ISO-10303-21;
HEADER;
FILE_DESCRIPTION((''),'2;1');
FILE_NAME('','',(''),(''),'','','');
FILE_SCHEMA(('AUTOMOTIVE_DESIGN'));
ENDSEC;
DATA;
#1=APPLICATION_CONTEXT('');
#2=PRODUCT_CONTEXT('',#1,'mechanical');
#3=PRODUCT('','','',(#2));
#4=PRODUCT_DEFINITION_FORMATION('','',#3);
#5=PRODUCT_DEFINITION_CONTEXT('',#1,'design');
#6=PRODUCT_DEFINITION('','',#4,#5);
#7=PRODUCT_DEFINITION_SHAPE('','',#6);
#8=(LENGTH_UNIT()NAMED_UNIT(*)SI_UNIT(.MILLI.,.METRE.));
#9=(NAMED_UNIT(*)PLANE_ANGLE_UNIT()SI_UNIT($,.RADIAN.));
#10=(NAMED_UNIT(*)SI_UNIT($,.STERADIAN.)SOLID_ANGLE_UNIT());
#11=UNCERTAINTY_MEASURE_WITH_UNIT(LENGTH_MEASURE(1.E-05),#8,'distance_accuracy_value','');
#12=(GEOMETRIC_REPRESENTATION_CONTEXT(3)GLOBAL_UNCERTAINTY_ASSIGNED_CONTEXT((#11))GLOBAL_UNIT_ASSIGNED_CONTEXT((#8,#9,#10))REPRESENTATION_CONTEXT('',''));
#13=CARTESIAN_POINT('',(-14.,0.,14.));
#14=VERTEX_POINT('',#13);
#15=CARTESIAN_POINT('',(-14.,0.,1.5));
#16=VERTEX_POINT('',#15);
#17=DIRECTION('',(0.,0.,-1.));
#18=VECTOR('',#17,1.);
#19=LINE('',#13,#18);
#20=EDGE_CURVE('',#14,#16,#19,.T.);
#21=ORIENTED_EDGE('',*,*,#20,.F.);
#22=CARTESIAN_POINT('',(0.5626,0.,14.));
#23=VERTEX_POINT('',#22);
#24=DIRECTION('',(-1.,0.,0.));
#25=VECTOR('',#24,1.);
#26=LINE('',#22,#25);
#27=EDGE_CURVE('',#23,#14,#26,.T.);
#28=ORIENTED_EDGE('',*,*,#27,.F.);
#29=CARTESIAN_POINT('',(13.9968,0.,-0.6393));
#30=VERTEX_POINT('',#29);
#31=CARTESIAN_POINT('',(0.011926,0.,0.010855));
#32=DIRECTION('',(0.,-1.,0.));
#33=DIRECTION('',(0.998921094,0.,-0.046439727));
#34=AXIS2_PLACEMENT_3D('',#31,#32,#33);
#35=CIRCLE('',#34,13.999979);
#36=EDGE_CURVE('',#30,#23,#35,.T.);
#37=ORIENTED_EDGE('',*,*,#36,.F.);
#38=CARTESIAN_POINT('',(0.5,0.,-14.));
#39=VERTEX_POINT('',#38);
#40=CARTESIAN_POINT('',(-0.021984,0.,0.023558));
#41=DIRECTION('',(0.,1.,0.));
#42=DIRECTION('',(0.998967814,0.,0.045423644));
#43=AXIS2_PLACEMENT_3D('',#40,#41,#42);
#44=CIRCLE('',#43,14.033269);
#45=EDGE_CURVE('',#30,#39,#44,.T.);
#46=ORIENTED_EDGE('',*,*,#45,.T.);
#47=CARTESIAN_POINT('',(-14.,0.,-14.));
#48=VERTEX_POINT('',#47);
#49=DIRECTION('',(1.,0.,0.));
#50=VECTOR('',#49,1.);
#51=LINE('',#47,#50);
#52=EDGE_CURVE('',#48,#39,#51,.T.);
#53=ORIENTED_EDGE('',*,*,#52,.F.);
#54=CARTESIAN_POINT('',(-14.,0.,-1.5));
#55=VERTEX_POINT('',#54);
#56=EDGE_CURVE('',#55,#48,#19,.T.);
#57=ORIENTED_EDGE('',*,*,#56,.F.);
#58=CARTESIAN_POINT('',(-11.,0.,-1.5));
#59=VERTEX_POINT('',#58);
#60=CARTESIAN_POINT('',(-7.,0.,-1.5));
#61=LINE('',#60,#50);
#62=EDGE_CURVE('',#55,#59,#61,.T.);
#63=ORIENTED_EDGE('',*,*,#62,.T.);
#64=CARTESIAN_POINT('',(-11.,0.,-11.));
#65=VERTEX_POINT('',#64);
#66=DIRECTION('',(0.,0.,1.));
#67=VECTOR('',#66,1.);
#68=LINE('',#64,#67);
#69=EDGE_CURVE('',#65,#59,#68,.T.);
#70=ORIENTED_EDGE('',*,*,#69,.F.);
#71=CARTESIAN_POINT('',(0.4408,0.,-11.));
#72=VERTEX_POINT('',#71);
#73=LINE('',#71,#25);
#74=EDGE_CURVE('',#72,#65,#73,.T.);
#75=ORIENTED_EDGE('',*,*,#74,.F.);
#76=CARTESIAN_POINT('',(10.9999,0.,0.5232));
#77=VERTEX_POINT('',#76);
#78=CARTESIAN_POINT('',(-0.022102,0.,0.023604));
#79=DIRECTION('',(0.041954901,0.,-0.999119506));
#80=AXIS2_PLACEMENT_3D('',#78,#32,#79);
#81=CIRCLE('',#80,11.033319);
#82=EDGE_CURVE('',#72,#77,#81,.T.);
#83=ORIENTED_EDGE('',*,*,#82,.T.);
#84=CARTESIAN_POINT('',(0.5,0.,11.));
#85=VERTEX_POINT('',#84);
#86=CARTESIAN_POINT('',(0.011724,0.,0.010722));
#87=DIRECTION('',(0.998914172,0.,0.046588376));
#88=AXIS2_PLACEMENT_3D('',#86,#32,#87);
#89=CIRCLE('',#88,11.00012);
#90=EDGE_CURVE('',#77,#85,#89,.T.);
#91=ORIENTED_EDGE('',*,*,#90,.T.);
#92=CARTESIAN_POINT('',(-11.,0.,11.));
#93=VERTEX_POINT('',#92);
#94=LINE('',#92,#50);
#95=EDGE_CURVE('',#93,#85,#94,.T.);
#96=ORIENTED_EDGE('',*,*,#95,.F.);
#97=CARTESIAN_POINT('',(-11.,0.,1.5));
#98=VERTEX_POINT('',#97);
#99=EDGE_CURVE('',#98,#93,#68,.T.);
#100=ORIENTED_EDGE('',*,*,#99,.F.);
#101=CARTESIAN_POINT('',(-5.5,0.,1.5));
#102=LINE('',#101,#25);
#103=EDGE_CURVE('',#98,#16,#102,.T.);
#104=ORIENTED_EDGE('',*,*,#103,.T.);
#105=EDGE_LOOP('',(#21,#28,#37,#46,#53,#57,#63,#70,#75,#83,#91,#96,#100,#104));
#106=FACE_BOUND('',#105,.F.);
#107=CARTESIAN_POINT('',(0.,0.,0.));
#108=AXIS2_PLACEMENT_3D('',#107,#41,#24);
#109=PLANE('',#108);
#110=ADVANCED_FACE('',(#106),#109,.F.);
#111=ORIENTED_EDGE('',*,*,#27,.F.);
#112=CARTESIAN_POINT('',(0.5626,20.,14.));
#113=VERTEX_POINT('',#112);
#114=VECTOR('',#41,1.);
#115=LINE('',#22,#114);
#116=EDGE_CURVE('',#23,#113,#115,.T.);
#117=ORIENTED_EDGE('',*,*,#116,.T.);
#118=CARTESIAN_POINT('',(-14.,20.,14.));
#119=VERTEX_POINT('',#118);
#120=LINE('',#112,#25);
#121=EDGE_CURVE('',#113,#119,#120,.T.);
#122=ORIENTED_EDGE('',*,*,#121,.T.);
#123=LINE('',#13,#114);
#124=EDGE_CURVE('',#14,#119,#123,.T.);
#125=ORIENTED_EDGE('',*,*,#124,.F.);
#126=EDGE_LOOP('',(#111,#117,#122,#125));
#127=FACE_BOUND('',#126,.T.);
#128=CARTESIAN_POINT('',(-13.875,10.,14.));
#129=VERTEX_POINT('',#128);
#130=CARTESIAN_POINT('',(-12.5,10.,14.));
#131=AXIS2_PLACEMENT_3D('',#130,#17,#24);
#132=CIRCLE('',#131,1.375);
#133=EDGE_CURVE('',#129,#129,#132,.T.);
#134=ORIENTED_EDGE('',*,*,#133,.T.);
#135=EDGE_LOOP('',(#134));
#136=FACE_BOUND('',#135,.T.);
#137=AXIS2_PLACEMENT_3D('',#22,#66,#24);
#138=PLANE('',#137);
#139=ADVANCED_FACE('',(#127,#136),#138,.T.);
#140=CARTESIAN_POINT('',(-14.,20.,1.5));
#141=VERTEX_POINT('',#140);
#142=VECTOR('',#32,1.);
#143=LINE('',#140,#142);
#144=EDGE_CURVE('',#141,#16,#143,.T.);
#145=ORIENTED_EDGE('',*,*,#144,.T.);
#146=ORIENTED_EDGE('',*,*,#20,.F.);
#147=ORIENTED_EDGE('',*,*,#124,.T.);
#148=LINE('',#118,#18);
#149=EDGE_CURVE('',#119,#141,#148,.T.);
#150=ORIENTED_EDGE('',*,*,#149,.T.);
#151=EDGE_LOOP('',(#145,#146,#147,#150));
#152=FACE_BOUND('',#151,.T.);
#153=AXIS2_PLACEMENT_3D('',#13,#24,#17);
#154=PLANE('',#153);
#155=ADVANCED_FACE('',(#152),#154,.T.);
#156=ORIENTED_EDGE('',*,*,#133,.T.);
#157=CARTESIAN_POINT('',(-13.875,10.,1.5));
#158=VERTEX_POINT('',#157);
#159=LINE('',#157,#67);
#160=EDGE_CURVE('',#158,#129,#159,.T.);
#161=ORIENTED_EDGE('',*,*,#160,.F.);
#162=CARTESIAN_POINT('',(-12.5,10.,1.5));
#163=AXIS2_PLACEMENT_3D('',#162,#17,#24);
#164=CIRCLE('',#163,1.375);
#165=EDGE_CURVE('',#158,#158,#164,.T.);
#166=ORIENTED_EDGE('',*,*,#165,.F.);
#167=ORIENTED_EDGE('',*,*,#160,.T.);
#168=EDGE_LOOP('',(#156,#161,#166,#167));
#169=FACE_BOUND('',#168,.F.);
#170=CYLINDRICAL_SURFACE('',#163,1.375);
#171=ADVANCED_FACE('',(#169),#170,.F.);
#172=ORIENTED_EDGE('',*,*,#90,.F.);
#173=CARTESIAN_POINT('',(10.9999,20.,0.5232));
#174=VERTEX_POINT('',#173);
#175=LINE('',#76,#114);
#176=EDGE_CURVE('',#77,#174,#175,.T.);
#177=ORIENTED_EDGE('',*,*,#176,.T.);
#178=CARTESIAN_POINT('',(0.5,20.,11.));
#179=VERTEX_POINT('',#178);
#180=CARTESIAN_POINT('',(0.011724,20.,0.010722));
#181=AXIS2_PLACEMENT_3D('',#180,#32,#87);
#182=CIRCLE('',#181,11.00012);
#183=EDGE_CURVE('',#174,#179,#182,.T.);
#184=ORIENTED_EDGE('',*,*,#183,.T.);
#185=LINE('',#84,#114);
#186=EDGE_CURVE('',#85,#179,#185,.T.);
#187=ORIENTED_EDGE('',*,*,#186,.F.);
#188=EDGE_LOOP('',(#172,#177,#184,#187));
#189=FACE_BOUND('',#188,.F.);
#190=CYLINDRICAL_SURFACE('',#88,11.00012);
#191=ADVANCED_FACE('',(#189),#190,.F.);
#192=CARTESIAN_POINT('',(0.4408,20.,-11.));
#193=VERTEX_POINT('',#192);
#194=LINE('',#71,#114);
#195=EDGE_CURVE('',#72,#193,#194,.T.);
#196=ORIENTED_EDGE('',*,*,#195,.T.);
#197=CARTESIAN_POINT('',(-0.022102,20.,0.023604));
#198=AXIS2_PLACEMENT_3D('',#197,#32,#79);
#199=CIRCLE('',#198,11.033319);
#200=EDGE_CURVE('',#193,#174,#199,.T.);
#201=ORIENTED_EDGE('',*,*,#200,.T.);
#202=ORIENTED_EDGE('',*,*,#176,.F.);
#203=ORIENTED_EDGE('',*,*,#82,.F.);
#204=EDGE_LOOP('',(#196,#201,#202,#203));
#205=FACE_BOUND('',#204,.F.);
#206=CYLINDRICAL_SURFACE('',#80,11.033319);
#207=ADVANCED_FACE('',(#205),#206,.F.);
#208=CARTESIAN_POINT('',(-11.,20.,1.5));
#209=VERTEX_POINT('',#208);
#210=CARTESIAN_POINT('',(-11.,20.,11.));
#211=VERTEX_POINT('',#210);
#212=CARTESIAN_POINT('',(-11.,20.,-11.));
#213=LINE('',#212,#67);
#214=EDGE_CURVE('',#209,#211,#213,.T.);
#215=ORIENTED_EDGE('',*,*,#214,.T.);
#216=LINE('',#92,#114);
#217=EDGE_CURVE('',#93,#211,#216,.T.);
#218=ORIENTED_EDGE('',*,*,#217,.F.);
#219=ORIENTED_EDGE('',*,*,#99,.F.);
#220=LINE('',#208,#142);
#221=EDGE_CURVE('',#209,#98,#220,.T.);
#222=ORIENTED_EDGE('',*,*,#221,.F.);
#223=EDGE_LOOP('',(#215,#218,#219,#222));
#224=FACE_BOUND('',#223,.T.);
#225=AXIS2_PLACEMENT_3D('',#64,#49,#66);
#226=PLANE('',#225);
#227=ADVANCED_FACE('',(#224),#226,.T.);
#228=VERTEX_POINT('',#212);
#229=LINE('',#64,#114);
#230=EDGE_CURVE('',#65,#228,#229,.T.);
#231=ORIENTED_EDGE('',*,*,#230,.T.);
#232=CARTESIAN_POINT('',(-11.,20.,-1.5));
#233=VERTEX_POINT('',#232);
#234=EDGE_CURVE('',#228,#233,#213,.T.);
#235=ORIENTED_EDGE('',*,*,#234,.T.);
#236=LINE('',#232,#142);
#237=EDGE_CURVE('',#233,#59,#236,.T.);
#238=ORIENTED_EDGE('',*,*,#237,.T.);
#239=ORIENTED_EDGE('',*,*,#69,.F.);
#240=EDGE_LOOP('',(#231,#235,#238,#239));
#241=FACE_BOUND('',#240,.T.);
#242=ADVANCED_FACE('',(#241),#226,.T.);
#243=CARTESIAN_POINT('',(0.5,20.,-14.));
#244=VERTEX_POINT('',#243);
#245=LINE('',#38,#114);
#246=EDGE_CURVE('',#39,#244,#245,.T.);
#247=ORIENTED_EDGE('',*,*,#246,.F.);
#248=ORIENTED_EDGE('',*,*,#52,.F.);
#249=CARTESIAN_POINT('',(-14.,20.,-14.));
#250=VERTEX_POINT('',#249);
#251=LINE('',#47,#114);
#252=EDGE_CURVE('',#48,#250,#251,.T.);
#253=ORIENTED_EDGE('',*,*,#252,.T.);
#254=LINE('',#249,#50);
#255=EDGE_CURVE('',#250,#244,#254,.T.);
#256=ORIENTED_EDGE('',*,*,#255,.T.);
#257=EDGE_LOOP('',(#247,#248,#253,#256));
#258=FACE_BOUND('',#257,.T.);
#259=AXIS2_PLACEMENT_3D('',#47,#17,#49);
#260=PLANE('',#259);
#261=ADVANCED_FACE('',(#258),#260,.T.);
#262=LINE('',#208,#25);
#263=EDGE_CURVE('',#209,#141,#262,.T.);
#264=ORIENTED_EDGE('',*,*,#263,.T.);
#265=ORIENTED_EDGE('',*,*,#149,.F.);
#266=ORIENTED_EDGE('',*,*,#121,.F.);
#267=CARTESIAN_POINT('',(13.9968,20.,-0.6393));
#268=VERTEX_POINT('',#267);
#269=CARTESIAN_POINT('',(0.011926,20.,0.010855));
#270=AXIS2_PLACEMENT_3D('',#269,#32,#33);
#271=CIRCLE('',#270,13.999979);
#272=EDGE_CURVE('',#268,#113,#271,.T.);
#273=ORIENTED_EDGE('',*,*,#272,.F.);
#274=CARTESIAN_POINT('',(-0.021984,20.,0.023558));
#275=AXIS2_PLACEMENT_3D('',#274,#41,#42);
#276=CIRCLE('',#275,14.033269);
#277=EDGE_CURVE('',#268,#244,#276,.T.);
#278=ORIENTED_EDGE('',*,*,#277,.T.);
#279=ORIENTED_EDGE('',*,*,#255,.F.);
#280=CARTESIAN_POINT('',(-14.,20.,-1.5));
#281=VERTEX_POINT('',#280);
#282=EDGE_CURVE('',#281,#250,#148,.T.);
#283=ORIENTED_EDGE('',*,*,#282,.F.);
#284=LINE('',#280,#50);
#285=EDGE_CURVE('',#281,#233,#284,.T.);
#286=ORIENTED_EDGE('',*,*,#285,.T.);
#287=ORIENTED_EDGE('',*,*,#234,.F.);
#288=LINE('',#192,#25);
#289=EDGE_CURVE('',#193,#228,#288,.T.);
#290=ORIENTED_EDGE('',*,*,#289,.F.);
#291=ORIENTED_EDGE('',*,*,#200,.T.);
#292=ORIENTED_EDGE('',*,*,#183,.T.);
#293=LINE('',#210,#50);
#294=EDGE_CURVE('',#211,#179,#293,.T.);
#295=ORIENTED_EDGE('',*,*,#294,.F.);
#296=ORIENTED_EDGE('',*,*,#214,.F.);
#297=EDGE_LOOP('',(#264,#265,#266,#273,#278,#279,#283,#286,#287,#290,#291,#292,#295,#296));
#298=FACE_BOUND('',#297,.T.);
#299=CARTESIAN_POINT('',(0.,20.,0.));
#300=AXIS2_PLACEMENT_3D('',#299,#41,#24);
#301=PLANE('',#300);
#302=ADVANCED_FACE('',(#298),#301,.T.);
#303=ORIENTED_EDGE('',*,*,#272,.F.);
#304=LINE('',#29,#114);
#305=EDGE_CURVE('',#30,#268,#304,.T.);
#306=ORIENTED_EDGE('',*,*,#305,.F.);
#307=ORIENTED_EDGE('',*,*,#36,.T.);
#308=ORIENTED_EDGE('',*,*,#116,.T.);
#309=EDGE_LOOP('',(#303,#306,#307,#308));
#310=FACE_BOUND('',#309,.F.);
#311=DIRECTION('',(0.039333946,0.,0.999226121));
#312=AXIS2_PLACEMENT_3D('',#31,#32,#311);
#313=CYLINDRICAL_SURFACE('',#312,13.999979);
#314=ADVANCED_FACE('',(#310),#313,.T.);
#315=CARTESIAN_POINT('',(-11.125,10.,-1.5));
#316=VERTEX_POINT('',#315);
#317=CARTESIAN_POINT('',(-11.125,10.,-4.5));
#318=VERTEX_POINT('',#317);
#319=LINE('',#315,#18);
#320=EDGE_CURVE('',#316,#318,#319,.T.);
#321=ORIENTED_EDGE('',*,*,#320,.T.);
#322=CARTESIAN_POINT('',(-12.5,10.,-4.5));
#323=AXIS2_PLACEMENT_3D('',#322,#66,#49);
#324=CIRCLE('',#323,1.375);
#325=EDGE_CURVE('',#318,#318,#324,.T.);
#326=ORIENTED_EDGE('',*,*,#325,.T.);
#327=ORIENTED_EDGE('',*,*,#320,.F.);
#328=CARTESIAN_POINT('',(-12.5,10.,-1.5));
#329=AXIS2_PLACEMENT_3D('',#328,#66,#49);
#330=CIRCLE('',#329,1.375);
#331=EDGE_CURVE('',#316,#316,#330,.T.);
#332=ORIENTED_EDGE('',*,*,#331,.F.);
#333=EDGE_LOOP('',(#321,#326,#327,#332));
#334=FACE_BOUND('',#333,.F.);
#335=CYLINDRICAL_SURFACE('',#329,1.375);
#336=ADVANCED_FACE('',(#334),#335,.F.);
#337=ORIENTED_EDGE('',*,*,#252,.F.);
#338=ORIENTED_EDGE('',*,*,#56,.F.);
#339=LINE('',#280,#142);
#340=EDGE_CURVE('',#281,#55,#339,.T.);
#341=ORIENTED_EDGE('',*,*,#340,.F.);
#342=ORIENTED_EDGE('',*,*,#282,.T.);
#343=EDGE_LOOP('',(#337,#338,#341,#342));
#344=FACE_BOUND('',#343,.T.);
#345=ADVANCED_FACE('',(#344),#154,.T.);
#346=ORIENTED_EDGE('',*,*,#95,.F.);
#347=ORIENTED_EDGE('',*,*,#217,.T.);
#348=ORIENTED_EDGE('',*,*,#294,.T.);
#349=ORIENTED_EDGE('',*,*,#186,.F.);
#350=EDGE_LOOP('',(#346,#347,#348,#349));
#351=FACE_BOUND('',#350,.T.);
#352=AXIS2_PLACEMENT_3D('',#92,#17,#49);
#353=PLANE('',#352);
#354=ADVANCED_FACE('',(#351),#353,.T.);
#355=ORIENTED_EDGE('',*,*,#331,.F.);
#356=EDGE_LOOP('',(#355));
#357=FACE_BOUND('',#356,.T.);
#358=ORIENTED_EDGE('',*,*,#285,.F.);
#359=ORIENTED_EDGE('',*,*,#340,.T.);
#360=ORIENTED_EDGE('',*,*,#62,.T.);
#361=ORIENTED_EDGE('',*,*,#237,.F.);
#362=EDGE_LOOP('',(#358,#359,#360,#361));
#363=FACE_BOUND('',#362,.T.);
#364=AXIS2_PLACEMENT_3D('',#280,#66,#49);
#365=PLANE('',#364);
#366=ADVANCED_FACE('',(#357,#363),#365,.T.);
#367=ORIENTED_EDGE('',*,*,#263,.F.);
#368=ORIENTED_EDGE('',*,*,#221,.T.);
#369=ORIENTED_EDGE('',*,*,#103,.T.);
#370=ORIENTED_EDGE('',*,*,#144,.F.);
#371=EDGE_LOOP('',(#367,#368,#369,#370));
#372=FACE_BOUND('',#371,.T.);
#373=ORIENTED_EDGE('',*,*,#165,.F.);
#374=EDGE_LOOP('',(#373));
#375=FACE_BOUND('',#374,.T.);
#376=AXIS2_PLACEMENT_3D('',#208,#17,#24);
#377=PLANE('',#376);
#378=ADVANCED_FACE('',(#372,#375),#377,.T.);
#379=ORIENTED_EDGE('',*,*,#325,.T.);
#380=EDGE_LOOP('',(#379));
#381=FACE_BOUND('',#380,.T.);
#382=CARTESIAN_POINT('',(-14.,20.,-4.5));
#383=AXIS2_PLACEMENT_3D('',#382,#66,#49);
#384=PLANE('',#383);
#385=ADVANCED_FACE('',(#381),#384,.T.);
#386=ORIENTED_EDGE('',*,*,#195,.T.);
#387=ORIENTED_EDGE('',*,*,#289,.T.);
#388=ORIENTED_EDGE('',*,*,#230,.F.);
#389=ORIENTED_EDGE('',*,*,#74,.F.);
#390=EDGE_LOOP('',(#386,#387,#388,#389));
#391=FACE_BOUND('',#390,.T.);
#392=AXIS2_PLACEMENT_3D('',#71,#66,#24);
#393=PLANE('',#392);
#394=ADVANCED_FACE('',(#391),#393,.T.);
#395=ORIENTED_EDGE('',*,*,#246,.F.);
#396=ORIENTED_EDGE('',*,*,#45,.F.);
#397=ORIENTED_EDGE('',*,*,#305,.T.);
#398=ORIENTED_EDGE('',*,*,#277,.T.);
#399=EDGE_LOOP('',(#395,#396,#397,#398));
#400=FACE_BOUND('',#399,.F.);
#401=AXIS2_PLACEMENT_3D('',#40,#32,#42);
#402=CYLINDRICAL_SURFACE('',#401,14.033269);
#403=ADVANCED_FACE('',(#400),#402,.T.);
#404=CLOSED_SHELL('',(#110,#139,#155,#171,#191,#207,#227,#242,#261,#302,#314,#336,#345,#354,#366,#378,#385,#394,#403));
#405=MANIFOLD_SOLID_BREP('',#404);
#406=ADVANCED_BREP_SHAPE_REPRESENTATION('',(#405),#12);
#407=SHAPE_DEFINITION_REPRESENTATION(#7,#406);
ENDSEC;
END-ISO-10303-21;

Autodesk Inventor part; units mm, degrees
ref_plane "YZ Plane" through (0, 0, 0) normal (1, 0, 0) x (0, 1, 0)
sketch "Esquisse1" plane through (0, 0, 0) normal (0, 1, 0) x (-1, 0, 0)
  line L0 (11, -11) -> (11, 11)
  arc A0 (-0.5, 11) -> (-11, -0.5) centre (-0.0119, 0.0108) ccw
  arc A1 (-11, 0.5) -> (0, -11) centre (-0.0114, 0) ccw
  line L1 (11, 11) -> (-0.5, 11)
  line L2 (11, -11) -> (-0.5, -11)
  arc A2 (-0.5626, 14) -> (-13.9968, -0.6393) centre (-0.0119, 0.0108) ccw
  line L3 (-0.5626, 14) -> (14, 14)
  line L4 (14, 14) -> (14, -14)
  line L5 (14, -14) -> (-0.5, -14)
  arc A3 (-13.9968, 0.661) -> (-0.5, -14) centre (0.0221, 0.0236) ccw
  point P0 (0, 0)
  point P1 (-11, 0)
extrude "Extrusion1" add sketch "Esquisse1" along normal blind 20 contours L2 A1 A0 L1 L0 | L3 L4 L5 A3 A2
sketch "Esquisse2" plane through (0, 0, 0) normal (0, -1, 0) x (1, 0, 0)
  line L0 (13.9968, 0.661) -> (13.9968, 0.661)
  arc A0 (10.9999, 0.5232) -> (0.5, 11) centre (0.0119, 0.0108) ccw
  arc A1 (0.4408, -11) -> (10.9999, 0.5232) centre (-0.0221, 0.0236) ccw
  line L1 (0.4408, -11) -> (-11, -11)
  line L2 (-11, -11) -> (-11, 11)
  line L3 (-11, 11) -> (0.5, 11)
  point P0 (0, 0)
extrude "Extrusion2" cut sketch "Esquisse2" against normal blind 20
sketch "Esquisse3" plane through (-11, 0, 11) normal (1, 0, 0) x (0, 0, -1)
  point P0 (11, 0)
sketch "Esquisse4" plane through (0, 20, 0) normal (0, 1, 0) x (1, 0, 0)
  line L0 (-14, 1.5) -> (-11, 1.5)
  line L1 (-11, 1.5) -> (-11, -1.5)
  line L2 (-11, -1.5) -> (-14, -1.5)
  line L3 (-14, -1.5) -> (-14, 1.5)
ref_plane "Plan de construction2" through (-14, 20, -1.5) normal (0, 0, 1) x (1, 0, 0)
ref_plane "Plan de construction3" through (-11, 20, 1.5) normal (0, 0, -1) x (-1, 0, 0)
extrude "Extrusion6" cut sketch "Esquisse4" against normal through all
sketch "Esquisse7" plane through (-11, 20, 1.5) normal (0, 0, -1) x (-1, 0, 0)
  line L0 (3, 0) -> (3, -20) projected
  line L1 (3, 0) -> (3, -10)
  line L2 (3, -10) -> (1.5, -10)
  circle A0 centre (1.5, -10) radius 1.375
  point P0 (-11, -20)
  dimension "d46" = 10
  dimension "d47" = 1.5
  dimension "d48" = 2.75
extrude "Extrusion7" cut sketch "Esquisse7" against normal through all
sketch "Esquisse8" plane through (-14, 20, -1.5) normal (0, 0, 1) x (1, 0, 0)
  line L0 (3, 0) -> (3, -10)
  line L1 (3, -10) -> (1.5, -10)
  circle A0 centre (1.5, -10) radius 1.375
  point P0 (-11, -20)
  dimension "d51" = 10
  dimension "d52" = 1.5
  dimension "d53" = 2.75
extrude "Extrusion9" cut sketch "Esquisse8" against normal blind 3
thread "Filetage1" size "M3x0.5" class "6H" standard "ANSI Metric M Profile" length 14.5
thread "Filetage2" size "M3x0.5" class "6H" standard "ANSI Metric M Profile" full length
thread "Filetage3" size "M3x0.5" class "6H" standard "ANSI Metric M Profile" length 3
properties part number "Goupille"
